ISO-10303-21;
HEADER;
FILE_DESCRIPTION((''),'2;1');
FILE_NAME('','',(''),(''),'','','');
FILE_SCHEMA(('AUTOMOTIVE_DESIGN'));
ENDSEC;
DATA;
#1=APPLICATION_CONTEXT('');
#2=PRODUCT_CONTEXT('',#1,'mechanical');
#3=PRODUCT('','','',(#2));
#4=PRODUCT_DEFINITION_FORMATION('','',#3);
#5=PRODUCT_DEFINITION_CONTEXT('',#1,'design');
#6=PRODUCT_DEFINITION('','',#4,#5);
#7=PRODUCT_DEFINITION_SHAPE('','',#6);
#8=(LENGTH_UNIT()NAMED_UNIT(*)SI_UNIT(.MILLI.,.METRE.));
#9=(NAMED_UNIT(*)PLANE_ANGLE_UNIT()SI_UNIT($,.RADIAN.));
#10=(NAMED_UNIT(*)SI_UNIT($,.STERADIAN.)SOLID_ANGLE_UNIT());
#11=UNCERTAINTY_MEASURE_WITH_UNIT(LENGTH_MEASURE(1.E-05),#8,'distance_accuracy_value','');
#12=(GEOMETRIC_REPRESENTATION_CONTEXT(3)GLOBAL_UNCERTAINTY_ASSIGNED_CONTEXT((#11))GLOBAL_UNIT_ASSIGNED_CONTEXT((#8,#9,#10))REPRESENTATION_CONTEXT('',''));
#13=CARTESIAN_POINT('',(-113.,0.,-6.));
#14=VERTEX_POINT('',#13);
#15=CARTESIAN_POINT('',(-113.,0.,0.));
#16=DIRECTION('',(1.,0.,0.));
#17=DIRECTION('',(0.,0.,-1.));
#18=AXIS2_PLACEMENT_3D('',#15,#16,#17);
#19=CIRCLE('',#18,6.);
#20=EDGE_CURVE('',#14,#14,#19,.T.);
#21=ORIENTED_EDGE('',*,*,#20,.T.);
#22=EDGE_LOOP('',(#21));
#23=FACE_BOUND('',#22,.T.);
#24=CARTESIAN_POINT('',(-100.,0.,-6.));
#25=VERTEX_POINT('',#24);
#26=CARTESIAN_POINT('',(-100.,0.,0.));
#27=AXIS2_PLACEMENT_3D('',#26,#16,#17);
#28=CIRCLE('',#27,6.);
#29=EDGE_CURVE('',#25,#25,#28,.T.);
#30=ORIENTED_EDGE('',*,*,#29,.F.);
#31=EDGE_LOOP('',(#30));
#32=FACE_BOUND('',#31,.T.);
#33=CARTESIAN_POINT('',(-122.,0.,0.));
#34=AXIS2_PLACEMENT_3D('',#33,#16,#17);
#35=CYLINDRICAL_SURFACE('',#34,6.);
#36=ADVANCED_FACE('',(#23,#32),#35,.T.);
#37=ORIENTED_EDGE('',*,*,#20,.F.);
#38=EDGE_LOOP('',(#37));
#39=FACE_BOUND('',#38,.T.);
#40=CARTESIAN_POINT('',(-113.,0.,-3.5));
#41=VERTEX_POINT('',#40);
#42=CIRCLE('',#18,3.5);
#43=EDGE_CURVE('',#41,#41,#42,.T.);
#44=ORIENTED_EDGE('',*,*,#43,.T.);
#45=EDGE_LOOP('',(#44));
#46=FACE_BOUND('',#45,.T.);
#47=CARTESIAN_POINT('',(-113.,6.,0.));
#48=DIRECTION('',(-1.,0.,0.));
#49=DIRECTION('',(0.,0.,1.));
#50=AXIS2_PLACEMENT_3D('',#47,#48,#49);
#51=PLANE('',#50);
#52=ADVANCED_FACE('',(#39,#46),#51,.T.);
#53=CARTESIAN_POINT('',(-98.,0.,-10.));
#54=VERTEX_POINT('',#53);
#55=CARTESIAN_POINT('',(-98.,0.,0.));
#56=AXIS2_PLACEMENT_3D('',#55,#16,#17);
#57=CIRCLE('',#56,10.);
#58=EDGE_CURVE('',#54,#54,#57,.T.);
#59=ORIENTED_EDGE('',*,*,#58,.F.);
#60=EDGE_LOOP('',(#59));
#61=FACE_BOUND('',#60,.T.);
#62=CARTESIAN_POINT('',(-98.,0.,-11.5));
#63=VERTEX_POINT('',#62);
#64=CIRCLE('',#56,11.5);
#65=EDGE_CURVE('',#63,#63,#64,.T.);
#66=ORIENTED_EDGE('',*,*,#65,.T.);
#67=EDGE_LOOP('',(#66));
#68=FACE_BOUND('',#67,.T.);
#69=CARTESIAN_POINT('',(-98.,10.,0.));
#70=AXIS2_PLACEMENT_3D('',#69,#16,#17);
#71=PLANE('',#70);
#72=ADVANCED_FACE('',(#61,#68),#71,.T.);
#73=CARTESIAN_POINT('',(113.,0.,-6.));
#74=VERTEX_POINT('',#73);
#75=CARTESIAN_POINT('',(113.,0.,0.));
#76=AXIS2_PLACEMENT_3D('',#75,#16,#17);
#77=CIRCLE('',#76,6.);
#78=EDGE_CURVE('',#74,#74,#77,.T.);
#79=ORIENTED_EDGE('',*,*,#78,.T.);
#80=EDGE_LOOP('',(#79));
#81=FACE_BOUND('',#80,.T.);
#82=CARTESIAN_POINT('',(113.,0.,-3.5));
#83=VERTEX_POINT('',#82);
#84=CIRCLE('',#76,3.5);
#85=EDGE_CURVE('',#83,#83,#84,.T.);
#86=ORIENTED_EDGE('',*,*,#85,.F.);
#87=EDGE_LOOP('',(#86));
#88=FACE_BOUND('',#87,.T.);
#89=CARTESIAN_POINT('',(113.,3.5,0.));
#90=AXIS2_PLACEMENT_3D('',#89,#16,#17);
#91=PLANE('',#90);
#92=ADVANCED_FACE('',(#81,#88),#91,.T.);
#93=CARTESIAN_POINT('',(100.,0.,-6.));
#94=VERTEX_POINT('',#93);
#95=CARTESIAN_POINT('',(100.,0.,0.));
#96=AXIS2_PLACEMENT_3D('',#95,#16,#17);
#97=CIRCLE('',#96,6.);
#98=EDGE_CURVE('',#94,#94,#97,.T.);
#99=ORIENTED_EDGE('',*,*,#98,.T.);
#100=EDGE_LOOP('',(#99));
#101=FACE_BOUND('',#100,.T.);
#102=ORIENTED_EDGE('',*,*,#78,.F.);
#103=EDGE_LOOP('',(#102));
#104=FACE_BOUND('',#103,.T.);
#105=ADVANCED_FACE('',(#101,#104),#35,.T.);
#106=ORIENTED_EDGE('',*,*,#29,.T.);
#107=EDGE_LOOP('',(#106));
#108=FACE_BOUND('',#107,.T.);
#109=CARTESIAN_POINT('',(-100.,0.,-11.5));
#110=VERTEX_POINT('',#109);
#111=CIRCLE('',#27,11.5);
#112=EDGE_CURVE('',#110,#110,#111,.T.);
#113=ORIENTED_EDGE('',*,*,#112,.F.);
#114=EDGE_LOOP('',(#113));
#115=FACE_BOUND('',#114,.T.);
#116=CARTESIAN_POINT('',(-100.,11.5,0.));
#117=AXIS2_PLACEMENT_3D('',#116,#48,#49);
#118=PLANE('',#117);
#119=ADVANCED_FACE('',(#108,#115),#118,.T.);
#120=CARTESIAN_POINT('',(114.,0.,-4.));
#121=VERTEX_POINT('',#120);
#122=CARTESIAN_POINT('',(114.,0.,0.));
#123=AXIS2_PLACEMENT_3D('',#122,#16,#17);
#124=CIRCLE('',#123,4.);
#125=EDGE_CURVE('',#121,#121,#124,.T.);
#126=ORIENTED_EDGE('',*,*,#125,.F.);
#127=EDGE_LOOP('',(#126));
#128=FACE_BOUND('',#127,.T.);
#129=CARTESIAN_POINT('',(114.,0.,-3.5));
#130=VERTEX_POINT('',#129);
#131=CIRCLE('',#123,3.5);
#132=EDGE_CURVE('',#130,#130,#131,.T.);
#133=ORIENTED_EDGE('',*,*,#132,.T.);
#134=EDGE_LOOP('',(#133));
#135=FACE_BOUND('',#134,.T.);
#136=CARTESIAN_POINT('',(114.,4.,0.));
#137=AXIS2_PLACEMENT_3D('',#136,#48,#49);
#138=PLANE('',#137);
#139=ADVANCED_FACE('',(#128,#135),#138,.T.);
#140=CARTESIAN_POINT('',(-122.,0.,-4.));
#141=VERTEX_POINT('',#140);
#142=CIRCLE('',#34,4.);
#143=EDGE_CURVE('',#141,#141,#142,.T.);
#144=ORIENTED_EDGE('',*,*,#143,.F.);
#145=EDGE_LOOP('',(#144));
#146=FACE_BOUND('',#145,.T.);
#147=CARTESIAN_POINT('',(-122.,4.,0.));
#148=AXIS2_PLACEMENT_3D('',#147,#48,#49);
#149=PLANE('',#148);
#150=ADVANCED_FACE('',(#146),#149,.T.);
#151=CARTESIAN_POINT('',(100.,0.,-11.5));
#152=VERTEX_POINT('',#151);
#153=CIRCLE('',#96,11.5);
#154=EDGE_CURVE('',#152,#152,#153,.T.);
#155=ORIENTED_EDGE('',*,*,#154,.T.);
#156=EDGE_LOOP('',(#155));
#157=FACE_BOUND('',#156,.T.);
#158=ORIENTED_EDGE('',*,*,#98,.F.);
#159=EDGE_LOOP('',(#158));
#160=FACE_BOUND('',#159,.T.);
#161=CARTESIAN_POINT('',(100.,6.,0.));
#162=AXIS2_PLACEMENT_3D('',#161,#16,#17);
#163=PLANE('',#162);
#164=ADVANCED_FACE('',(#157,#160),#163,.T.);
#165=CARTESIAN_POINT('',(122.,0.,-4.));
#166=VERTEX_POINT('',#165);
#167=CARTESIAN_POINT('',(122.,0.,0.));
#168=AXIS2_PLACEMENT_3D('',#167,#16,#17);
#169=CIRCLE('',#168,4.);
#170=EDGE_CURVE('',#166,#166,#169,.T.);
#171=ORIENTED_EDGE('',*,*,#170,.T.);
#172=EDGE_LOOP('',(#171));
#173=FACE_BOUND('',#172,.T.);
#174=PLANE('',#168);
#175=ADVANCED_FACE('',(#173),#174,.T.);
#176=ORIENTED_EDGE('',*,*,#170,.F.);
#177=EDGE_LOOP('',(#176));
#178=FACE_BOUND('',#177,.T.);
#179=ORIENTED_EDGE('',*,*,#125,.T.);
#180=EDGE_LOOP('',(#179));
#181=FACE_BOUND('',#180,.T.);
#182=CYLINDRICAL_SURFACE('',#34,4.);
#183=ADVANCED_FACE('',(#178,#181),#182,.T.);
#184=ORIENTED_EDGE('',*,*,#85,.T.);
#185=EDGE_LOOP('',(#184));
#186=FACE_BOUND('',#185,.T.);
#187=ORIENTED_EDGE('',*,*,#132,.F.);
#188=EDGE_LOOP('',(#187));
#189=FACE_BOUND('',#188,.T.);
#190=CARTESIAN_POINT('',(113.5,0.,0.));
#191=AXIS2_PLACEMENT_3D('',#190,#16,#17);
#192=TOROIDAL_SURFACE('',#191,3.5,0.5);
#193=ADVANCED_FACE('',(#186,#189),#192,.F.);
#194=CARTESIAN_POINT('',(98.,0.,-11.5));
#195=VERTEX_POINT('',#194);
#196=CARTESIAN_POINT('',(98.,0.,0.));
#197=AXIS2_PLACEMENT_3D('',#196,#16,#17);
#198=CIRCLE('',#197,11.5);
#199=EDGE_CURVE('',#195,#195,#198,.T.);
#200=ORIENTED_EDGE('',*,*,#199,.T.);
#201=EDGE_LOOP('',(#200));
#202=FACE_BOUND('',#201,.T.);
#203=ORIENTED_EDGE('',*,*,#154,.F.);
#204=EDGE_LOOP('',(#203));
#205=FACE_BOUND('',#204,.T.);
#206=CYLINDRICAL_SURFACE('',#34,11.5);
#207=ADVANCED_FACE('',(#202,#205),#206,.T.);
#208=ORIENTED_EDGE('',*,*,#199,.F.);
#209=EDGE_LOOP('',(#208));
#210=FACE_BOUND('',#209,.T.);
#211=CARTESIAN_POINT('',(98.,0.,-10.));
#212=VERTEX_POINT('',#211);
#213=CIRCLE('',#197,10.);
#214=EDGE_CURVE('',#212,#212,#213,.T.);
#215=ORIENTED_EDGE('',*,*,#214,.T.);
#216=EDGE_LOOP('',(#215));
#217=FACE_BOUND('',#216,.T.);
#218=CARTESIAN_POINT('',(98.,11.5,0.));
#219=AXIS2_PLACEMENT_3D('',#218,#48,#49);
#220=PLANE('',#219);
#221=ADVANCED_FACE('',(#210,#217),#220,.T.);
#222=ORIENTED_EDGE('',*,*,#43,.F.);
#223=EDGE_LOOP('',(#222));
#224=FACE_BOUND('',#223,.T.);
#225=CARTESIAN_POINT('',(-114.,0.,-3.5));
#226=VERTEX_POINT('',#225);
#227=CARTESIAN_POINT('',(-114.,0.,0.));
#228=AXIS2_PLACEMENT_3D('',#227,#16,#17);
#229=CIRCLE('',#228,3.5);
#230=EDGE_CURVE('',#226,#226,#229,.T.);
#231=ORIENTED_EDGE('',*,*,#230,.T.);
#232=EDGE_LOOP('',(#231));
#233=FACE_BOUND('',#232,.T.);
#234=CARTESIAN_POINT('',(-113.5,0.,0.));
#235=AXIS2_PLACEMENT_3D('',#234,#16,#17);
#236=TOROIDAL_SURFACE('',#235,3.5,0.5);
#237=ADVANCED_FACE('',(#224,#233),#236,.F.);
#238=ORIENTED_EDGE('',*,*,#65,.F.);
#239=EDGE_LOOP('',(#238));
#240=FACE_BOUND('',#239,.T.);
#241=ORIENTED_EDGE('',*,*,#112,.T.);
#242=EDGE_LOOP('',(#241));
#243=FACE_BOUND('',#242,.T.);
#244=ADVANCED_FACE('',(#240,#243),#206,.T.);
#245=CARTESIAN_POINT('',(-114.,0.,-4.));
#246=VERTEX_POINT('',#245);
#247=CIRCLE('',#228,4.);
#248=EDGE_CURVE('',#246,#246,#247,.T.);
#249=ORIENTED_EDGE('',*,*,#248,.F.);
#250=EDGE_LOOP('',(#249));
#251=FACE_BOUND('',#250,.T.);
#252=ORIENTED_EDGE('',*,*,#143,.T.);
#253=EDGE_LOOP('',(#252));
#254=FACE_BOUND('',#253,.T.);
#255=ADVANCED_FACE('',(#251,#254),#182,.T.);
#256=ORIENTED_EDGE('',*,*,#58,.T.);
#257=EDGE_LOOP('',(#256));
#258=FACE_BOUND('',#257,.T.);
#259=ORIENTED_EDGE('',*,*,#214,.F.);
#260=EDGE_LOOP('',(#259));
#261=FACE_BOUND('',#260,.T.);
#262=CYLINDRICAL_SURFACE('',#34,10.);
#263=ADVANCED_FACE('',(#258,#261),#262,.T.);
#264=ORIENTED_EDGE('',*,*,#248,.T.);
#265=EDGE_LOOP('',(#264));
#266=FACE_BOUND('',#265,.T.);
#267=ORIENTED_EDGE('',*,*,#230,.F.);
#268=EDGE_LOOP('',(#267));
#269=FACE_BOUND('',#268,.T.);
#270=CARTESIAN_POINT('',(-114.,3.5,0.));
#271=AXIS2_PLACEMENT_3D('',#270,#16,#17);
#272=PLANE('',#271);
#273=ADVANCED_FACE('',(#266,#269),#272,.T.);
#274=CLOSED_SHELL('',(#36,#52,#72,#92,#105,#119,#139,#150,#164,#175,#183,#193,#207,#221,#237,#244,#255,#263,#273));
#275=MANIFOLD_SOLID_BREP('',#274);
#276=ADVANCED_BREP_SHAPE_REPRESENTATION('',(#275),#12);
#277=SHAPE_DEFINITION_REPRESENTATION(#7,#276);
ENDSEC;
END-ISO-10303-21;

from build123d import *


with BuildPart() as part:
    # Sketch1 → Revolve1 (revolve)
    with BuildSketch(Plane.XY, mode=Mode.PRIVATE) as revolve1_sk:
        with BuildLine():
            Line((-122, 4), (-122, 0))
            Line((-122, 0), (122, 0))
            Line((122, 0), (122, 4))
            Line((122, 4), (114, 4))
            Line((114, 4), (114, 3.5))
            ThreePointArc((114, 3.5), (113.5, 3), (113, 3.5))
            Line((113, 3.5), (113, 6))
            Line((113, 6), (100, 6))
            Line((100, 6), (100, 11.5))
            Line((100, 11.5), (98, 11.5))
            Line((98, 11.5), (98, 10))
            Line((98, 10), (-98, 10))
            Line((-98, 10), (-98, 11.5))
            Line((-98, 11.5), (-100, 11.5))
            Line((-100, 11.5), (-100, 6))
            Line((-100, 6), (-113, 6))
            Line((-113, 6), (-113, 3.5))
            ThreePointArc((-113, 3.5), (-113.5, 3), (-114, 3.5))
            Line((-114, 3.5), (-114, 4))
            Line((-114, 4), (-122, 4))
        make_face()
    revolve(revolve1_sk.sketch.rotate(Axis((-122, 0, 0), (1, 0, 0)), 270), axis=Axis((-122, 0, 0), (1, 0, 0)))


solid = part.part
